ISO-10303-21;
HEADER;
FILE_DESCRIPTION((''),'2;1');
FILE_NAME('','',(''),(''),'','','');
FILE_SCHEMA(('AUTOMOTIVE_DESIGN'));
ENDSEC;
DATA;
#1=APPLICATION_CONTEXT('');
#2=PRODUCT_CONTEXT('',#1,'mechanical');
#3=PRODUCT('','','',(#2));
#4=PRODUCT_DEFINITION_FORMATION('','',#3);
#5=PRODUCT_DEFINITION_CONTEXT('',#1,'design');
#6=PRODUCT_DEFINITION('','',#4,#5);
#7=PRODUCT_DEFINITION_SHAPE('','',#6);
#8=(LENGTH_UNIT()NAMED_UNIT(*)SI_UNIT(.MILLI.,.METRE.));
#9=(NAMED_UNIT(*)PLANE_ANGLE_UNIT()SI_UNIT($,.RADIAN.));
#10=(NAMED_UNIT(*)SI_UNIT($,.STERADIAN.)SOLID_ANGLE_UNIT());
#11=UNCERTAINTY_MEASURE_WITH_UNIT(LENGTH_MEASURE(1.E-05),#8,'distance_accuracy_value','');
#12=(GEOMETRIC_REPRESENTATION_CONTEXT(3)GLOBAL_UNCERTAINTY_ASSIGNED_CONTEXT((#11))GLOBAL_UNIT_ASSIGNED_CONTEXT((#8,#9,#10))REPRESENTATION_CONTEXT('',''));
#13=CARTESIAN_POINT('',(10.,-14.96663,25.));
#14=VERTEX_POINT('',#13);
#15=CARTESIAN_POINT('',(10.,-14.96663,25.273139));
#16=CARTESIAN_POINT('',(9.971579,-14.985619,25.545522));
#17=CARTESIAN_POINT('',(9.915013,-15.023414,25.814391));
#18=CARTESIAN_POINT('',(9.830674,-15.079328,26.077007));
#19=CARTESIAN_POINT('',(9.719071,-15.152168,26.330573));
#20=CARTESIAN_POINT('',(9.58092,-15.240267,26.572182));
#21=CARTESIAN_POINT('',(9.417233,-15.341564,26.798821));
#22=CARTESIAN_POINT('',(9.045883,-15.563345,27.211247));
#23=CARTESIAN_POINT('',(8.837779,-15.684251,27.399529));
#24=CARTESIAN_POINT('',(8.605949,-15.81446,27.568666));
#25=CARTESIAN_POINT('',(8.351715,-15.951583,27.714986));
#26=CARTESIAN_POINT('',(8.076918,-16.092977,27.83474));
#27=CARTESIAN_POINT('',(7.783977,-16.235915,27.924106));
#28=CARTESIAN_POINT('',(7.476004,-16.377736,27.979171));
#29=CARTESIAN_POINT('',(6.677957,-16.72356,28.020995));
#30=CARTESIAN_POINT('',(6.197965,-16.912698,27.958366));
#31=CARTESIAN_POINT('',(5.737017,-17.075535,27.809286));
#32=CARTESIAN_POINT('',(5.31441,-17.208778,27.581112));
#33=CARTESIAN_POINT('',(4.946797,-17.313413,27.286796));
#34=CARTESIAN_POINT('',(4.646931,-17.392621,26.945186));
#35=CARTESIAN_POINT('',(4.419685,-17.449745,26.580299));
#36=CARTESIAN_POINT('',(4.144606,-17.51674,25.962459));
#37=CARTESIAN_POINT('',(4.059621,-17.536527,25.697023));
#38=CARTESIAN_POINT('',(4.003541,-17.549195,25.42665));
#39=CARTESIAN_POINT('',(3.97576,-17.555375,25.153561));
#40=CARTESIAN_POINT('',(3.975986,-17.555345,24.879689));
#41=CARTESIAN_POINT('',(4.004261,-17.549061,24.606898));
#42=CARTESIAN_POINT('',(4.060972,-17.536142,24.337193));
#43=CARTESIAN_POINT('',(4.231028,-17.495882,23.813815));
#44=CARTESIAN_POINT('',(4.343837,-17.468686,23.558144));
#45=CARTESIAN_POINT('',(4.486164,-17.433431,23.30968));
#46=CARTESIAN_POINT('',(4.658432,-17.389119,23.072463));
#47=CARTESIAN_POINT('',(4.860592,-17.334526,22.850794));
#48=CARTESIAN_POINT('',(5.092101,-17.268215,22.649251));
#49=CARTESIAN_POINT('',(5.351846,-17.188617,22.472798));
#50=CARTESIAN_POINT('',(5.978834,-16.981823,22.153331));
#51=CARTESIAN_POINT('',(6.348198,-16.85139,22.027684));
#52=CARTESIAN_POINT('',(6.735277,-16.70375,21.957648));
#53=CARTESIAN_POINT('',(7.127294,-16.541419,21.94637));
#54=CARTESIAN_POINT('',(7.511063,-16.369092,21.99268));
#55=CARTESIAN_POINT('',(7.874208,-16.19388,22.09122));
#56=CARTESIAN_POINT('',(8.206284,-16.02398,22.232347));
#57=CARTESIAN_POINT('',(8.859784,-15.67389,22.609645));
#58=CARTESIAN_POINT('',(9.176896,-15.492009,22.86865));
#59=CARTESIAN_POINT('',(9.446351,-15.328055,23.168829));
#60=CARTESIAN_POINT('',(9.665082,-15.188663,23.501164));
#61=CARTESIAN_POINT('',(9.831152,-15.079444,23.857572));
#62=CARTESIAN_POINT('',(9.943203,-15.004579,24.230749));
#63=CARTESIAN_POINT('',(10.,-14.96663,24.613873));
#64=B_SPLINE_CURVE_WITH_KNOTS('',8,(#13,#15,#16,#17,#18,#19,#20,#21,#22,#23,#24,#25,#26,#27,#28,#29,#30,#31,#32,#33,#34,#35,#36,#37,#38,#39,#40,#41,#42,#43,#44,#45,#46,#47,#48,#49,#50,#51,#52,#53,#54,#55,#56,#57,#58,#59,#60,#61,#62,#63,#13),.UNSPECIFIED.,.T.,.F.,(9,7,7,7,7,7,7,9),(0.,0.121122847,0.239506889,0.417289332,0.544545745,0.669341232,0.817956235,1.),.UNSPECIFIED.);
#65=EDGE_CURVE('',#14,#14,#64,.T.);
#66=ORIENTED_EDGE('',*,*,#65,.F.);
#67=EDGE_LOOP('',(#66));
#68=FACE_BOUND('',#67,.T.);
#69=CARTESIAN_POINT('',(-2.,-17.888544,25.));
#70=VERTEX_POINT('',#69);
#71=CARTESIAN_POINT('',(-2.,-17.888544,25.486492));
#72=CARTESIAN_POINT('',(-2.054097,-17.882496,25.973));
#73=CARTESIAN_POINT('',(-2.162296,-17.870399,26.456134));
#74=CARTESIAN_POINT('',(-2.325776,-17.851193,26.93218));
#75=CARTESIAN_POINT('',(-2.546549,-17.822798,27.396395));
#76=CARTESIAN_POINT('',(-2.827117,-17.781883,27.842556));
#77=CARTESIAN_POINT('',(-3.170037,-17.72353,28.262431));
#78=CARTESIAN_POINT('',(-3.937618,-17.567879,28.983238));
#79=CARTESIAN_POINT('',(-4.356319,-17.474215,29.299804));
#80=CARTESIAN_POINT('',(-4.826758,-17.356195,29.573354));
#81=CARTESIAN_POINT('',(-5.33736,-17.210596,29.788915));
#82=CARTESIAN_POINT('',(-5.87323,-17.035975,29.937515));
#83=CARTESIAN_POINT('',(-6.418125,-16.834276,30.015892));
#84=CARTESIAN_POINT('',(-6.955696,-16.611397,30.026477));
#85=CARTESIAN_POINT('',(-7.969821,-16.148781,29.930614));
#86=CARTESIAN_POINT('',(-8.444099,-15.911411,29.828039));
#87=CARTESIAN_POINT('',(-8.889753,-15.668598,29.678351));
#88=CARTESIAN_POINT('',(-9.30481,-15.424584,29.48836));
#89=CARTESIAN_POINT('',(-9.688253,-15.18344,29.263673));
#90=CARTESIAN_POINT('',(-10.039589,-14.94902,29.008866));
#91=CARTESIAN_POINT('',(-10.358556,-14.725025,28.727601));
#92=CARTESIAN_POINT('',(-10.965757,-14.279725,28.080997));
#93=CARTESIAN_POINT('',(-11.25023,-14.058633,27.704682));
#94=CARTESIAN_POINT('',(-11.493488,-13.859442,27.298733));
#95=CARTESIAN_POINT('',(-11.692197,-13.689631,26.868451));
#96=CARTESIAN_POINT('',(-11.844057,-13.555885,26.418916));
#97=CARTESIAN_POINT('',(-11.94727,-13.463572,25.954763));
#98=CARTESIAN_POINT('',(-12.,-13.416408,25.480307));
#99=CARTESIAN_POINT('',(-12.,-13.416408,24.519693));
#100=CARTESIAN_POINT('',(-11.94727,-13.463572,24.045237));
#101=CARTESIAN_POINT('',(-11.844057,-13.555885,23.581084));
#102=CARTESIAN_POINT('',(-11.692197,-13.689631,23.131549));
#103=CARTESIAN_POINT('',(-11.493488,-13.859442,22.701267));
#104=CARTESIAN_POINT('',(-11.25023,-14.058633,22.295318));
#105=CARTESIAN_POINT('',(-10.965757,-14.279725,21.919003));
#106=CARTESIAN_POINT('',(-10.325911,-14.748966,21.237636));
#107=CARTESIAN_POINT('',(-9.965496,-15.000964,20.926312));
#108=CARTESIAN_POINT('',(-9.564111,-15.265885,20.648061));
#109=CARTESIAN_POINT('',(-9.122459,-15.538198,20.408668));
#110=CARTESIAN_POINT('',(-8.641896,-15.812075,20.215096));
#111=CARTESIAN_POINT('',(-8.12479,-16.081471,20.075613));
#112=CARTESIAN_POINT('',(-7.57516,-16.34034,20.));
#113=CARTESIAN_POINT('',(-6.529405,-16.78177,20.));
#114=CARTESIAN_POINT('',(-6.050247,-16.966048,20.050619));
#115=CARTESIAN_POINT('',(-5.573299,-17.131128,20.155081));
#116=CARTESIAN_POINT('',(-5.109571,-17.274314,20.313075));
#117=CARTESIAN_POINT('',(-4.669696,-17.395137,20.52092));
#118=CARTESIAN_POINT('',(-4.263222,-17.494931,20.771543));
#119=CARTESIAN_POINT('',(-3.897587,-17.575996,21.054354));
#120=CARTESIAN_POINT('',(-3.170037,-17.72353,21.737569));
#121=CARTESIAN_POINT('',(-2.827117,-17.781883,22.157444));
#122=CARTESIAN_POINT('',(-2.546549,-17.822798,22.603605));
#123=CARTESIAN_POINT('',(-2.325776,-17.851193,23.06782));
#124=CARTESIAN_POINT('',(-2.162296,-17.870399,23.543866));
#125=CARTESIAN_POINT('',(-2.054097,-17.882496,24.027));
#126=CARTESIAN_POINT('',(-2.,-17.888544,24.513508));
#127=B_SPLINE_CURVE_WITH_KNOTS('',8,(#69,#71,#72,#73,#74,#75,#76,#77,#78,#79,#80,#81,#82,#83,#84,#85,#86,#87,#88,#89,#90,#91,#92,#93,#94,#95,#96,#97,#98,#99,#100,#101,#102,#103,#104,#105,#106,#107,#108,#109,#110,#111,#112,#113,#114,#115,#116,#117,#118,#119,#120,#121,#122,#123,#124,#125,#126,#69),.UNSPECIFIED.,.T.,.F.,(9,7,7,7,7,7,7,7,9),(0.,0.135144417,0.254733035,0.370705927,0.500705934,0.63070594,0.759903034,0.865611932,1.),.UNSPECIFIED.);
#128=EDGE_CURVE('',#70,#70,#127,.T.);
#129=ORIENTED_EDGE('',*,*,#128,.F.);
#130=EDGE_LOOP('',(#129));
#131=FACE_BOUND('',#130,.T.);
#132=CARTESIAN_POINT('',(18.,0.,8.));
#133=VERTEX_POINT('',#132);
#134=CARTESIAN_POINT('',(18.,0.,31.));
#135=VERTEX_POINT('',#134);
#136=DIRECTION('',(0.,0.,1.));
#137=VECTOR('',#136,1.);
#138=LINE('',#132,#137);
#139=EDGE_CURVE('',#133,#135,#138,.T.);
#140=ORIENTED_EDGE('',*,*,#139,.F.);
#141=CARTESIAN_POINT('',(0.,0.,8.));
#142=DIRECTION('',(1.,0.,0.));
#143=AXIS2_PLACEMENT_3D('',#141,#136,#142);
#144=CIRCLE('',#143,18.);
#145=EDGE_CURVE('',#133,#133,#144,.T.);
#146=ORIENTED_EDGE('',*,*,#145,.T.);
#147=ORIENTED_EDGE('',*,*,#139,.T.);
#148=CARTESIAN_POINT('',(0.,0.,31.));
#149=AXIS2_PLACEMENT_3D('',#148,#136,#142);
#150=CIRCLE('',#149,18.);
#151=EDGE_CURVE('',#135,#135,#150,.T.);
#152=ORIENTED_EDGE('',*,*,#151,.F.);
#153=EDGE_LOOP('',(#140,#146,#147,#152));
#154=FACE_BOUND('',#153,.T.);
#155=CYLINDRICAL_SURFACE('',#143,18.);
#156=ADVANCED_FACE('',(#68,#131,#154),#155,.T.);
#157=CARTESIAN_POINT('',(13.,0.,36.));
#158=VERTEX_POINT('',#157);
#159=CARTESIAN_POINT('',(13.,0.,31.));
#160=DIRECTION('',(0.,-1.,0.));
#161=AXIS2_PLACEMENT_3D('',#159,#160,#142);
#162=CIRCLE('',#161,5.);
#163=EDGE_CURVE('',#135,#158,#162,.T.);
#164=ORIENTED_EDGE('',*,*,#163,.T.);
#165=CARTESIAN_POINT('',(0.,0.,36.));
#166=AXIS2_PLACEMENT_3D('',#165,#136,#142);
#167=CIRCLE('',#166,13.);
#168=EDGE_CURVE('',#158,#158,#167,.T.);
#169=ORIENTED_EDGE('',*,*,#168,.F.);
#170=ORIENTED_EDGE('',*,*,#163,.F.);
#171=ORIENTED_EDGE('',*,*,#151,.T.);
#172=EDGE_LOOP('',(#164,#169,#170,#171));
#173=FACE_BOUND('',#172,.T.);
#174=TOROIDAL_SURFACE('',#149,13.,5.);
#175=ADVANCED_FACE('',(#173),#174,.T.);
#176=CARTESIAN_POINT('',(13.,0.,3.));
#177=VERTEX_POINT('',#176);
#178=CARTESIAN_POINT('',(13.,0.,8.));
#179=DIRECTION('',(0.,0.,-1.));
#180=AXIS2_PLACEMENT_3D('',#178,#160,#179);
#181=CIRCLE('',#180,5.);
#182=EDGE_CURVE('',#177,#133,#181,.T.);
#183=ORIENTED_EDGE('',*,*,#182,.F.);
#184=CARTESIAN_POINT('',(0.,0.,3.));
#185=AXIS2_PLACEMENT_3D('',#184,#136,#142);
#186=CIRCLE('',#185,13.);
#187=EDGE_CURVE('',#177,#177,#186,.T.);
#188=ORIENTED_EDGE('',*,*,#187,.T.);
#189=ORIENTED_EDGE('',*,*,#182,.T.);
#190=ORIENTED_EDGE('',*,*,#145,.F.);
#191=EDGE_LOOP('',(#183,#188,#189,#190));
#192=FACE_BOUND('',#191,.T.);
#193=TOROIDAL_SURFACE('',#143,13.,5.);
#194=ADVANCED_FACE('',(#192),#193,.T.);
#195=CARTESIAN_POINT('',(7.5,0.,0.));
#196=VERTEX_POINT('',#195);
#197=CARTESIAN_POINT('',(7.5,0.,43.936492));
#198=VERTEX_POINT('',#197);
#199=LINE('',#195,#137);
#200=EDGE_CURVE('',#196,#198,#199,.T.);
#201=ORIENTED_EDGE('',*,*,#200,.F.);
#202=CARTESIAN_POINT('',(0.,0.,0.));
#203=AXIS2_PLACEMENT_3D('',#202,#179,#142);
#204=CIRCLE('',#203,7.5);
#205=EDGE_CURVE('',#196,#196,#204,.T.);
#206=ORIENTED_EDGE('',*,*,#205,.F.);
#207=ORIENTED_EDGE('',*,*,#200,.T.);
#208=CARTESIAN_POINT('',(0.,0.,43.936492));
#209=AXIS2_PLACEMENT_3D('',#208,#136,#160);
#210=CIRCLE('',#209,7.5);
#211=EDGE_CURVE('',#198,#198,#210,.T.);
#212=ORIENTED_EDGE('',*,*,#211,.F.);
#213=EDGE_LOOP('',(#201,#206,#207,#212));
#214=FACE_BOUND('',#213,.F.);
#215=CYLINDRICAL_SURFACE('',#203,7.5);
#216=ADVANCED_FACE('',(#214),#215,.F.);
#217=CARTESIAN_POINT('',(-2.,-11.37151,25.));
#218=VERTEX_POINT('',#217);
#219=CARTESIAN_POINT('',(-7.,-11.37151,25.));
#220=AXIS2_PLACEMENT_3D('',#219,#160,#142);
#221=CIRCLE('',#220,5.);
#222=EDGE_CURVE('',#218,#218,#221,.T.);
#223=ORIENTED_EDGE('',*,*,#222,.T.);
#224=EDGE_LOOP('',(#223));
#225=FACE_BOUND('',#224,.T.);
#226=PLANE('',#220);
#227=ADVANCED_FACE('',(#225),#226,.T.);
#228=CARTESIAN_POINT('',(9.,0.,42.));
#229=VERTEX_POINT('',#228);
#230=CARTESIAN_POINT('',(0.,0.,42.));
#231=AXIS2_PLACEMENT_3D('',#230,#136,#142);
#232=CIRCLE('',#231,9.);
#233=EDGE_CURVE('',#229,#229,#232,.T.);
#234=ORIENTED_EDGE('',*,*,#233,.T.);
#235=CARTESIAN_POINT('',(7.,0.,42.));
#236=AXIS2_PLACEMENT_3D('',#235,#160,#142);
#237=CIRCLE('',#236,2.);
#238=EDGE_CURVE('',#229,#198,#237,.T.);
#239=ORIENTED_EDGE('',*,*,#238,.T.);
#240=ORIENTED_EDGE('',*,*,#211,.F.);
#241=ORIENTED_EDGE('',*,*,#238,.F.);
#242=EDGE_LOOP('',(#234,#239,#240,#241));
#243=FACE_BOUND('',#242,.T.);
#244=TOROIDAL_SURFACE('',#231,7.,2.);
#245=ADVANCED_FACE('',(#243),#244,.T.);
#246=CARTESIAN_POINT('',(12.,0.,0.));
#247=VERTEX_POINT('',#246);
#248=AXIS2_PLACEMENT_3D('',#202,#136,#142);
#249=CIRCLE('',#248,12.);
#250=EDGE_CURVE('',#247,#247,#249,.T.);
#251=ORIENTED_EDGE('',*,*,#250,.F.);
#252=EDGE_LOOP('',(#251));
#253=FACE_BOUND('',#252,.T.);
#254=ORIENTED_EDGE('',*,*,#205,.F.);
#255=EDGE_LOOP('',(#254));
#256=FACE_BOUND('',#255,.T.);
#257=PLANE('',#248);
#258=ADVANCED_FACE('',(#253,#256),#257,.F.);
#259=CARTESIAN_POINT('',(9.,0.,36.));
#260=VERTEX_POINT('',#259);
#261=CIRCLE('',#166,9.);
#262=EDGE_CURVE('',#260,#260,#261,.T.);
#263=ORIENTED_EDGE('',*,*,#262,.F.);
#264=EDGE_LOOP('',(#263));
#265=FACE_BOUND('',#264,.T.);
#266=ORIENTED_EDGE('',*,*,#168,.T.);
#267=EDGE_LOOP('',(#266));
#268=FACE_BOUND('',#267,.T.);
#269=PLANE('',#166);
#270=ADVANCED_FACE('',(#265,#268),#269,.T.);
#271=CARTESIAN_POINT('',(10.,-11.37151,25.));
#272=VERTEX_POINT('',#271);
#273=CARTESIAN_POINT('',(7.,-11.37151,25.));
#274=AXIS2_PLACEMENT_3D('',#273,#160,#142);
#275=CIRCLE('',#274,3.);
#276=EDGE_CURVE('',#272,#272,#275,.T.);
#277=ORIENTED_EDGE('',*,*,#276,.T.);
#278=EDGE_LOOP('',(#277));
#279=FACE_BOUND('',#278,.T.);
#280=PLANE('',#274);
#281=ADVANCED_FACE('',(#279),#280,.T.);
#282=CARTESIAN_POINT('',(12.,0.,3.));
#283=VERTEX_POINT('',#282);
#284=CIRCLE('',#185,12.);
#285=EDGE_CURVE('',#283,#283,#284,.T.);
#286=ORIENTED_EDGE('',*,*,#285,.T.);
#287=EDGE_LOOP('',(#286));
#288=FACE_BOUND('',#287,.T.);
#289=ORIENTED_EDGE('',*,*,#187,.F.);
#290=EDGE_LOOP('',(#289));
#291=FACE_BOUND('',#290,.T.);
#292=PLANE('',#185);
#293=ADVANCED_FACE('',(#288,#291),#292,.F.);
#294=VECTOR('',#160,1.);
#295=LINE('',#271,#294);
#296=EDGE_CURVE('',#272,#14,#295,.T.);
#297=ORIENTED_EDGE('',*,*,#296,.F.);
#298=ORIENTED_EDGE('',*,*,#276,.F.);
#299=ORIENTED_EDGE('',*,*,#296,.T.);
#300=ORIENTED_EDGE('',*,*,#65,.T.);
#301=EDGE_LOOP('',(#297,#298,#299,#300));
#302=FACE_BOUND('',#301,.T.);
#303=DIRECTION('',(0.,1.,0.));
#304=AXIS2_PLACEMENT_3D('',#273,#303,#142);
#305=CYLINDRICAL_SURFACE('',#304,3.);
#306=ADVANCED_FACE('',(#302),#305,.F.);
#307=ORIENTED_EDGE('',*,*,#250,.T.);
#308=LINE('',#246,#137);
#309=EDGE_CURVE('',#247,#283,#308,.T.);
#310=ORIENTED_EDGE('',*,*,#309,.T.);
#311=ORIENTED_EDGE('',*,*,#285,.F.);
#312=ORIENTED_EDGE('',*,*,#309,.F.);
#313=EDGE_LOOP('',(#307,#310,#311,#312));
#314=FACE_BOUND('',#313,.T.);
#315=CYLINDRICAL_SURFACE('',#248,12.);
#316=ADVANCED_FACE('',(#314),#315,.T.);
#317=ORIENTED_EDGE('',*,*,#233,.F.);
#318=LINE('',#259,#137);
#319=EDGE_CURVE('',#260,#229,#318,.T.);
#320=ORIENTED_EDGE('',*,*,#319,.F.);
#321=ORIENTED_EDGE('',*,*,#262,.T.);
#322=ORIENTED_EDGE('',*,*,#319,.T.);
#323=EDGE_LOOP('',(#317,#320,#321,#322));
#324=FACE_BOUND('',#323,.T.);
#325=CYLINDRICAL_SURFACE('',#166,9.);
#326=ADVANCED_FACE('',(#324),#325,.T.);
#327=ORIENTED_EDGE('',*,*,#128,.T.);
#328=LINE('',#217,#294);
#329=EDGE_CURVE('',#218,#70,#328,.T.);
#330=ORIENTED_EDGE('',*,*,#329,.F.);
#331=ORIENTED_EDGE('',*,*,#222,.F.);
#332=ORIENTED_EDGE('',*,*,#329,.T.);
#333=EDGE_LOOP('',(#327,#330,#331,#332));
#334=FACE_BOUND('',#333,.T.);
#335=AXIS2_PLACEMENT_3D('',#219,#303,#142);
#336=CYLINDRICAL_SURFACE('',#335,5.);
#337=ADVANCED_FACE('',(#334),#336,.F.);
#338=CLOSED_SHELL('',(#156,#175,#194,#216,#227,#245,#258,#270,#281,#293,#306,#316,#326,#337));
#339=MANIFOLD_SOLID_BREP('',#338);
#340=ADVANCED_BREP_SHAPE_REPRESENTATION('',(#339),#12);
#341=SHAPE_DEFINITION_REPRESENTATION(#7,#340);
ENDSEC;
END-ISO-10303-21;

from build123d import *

# Parameters (mm, degrees)
F2_R     = 7.5
F3_DEPTH = 44
F5_START = 11.37151
F4_R     = 3
F4_R_2   = 5
F5_DEPTH = 8.99461


with BuildPart() as f1:
    # F0 (on Front) → F1 (revolve)
    with BuildSketch(Plane.XZ):
        with BuildLine():
            Line((7, 44), (0, 44))
            Line((0, 44), (0, 0))
            Line((0, 0), (12, 0))
            Line((12, 0), (12, 3))
            Line((12, 3), (13, 3))
            ThreePointArc((13, 3), (16.5355339059, 4.4644660941), (18, 8))
            Line((18, 8), (18, 31))
            ThreePointArc((18, 31), (16.5355339059, 34.5355339059), (13, 36))
            Line((13, 36), (9, 36))
            Line((9, 36), (9, 42))
            ThreePointArc((9, 42), (8.4142135624, 43.4142135624), (7, 44))
        make_face()
    revolve(axis=Axis((0, 0, 22), (0, 0, 1)))

    # F2 (on face) → F3 (cut, through all)
    with BuildSketch(Plane(origin=(0, 0, 0), x_dir=(1, 0, 0), z_dir=(0, 0, -1))):
        Circle(F2_R)
    extrude(amount=-F3_DEPTH, mode=Mode.SUBTRACT)

    # F4 (on Front) → F5 (cut)
    with BuildSketch(Plane.XZ.offset(F5_START)):
        with Locations((7, 25)):
            Circle(F4_R)
        with Locations((-7, 25)):
            Circle(F4_R_2)
    extrude(amount=F5_DEPTH, mode=Mode.SUBTRACT)


solid = f1.part
